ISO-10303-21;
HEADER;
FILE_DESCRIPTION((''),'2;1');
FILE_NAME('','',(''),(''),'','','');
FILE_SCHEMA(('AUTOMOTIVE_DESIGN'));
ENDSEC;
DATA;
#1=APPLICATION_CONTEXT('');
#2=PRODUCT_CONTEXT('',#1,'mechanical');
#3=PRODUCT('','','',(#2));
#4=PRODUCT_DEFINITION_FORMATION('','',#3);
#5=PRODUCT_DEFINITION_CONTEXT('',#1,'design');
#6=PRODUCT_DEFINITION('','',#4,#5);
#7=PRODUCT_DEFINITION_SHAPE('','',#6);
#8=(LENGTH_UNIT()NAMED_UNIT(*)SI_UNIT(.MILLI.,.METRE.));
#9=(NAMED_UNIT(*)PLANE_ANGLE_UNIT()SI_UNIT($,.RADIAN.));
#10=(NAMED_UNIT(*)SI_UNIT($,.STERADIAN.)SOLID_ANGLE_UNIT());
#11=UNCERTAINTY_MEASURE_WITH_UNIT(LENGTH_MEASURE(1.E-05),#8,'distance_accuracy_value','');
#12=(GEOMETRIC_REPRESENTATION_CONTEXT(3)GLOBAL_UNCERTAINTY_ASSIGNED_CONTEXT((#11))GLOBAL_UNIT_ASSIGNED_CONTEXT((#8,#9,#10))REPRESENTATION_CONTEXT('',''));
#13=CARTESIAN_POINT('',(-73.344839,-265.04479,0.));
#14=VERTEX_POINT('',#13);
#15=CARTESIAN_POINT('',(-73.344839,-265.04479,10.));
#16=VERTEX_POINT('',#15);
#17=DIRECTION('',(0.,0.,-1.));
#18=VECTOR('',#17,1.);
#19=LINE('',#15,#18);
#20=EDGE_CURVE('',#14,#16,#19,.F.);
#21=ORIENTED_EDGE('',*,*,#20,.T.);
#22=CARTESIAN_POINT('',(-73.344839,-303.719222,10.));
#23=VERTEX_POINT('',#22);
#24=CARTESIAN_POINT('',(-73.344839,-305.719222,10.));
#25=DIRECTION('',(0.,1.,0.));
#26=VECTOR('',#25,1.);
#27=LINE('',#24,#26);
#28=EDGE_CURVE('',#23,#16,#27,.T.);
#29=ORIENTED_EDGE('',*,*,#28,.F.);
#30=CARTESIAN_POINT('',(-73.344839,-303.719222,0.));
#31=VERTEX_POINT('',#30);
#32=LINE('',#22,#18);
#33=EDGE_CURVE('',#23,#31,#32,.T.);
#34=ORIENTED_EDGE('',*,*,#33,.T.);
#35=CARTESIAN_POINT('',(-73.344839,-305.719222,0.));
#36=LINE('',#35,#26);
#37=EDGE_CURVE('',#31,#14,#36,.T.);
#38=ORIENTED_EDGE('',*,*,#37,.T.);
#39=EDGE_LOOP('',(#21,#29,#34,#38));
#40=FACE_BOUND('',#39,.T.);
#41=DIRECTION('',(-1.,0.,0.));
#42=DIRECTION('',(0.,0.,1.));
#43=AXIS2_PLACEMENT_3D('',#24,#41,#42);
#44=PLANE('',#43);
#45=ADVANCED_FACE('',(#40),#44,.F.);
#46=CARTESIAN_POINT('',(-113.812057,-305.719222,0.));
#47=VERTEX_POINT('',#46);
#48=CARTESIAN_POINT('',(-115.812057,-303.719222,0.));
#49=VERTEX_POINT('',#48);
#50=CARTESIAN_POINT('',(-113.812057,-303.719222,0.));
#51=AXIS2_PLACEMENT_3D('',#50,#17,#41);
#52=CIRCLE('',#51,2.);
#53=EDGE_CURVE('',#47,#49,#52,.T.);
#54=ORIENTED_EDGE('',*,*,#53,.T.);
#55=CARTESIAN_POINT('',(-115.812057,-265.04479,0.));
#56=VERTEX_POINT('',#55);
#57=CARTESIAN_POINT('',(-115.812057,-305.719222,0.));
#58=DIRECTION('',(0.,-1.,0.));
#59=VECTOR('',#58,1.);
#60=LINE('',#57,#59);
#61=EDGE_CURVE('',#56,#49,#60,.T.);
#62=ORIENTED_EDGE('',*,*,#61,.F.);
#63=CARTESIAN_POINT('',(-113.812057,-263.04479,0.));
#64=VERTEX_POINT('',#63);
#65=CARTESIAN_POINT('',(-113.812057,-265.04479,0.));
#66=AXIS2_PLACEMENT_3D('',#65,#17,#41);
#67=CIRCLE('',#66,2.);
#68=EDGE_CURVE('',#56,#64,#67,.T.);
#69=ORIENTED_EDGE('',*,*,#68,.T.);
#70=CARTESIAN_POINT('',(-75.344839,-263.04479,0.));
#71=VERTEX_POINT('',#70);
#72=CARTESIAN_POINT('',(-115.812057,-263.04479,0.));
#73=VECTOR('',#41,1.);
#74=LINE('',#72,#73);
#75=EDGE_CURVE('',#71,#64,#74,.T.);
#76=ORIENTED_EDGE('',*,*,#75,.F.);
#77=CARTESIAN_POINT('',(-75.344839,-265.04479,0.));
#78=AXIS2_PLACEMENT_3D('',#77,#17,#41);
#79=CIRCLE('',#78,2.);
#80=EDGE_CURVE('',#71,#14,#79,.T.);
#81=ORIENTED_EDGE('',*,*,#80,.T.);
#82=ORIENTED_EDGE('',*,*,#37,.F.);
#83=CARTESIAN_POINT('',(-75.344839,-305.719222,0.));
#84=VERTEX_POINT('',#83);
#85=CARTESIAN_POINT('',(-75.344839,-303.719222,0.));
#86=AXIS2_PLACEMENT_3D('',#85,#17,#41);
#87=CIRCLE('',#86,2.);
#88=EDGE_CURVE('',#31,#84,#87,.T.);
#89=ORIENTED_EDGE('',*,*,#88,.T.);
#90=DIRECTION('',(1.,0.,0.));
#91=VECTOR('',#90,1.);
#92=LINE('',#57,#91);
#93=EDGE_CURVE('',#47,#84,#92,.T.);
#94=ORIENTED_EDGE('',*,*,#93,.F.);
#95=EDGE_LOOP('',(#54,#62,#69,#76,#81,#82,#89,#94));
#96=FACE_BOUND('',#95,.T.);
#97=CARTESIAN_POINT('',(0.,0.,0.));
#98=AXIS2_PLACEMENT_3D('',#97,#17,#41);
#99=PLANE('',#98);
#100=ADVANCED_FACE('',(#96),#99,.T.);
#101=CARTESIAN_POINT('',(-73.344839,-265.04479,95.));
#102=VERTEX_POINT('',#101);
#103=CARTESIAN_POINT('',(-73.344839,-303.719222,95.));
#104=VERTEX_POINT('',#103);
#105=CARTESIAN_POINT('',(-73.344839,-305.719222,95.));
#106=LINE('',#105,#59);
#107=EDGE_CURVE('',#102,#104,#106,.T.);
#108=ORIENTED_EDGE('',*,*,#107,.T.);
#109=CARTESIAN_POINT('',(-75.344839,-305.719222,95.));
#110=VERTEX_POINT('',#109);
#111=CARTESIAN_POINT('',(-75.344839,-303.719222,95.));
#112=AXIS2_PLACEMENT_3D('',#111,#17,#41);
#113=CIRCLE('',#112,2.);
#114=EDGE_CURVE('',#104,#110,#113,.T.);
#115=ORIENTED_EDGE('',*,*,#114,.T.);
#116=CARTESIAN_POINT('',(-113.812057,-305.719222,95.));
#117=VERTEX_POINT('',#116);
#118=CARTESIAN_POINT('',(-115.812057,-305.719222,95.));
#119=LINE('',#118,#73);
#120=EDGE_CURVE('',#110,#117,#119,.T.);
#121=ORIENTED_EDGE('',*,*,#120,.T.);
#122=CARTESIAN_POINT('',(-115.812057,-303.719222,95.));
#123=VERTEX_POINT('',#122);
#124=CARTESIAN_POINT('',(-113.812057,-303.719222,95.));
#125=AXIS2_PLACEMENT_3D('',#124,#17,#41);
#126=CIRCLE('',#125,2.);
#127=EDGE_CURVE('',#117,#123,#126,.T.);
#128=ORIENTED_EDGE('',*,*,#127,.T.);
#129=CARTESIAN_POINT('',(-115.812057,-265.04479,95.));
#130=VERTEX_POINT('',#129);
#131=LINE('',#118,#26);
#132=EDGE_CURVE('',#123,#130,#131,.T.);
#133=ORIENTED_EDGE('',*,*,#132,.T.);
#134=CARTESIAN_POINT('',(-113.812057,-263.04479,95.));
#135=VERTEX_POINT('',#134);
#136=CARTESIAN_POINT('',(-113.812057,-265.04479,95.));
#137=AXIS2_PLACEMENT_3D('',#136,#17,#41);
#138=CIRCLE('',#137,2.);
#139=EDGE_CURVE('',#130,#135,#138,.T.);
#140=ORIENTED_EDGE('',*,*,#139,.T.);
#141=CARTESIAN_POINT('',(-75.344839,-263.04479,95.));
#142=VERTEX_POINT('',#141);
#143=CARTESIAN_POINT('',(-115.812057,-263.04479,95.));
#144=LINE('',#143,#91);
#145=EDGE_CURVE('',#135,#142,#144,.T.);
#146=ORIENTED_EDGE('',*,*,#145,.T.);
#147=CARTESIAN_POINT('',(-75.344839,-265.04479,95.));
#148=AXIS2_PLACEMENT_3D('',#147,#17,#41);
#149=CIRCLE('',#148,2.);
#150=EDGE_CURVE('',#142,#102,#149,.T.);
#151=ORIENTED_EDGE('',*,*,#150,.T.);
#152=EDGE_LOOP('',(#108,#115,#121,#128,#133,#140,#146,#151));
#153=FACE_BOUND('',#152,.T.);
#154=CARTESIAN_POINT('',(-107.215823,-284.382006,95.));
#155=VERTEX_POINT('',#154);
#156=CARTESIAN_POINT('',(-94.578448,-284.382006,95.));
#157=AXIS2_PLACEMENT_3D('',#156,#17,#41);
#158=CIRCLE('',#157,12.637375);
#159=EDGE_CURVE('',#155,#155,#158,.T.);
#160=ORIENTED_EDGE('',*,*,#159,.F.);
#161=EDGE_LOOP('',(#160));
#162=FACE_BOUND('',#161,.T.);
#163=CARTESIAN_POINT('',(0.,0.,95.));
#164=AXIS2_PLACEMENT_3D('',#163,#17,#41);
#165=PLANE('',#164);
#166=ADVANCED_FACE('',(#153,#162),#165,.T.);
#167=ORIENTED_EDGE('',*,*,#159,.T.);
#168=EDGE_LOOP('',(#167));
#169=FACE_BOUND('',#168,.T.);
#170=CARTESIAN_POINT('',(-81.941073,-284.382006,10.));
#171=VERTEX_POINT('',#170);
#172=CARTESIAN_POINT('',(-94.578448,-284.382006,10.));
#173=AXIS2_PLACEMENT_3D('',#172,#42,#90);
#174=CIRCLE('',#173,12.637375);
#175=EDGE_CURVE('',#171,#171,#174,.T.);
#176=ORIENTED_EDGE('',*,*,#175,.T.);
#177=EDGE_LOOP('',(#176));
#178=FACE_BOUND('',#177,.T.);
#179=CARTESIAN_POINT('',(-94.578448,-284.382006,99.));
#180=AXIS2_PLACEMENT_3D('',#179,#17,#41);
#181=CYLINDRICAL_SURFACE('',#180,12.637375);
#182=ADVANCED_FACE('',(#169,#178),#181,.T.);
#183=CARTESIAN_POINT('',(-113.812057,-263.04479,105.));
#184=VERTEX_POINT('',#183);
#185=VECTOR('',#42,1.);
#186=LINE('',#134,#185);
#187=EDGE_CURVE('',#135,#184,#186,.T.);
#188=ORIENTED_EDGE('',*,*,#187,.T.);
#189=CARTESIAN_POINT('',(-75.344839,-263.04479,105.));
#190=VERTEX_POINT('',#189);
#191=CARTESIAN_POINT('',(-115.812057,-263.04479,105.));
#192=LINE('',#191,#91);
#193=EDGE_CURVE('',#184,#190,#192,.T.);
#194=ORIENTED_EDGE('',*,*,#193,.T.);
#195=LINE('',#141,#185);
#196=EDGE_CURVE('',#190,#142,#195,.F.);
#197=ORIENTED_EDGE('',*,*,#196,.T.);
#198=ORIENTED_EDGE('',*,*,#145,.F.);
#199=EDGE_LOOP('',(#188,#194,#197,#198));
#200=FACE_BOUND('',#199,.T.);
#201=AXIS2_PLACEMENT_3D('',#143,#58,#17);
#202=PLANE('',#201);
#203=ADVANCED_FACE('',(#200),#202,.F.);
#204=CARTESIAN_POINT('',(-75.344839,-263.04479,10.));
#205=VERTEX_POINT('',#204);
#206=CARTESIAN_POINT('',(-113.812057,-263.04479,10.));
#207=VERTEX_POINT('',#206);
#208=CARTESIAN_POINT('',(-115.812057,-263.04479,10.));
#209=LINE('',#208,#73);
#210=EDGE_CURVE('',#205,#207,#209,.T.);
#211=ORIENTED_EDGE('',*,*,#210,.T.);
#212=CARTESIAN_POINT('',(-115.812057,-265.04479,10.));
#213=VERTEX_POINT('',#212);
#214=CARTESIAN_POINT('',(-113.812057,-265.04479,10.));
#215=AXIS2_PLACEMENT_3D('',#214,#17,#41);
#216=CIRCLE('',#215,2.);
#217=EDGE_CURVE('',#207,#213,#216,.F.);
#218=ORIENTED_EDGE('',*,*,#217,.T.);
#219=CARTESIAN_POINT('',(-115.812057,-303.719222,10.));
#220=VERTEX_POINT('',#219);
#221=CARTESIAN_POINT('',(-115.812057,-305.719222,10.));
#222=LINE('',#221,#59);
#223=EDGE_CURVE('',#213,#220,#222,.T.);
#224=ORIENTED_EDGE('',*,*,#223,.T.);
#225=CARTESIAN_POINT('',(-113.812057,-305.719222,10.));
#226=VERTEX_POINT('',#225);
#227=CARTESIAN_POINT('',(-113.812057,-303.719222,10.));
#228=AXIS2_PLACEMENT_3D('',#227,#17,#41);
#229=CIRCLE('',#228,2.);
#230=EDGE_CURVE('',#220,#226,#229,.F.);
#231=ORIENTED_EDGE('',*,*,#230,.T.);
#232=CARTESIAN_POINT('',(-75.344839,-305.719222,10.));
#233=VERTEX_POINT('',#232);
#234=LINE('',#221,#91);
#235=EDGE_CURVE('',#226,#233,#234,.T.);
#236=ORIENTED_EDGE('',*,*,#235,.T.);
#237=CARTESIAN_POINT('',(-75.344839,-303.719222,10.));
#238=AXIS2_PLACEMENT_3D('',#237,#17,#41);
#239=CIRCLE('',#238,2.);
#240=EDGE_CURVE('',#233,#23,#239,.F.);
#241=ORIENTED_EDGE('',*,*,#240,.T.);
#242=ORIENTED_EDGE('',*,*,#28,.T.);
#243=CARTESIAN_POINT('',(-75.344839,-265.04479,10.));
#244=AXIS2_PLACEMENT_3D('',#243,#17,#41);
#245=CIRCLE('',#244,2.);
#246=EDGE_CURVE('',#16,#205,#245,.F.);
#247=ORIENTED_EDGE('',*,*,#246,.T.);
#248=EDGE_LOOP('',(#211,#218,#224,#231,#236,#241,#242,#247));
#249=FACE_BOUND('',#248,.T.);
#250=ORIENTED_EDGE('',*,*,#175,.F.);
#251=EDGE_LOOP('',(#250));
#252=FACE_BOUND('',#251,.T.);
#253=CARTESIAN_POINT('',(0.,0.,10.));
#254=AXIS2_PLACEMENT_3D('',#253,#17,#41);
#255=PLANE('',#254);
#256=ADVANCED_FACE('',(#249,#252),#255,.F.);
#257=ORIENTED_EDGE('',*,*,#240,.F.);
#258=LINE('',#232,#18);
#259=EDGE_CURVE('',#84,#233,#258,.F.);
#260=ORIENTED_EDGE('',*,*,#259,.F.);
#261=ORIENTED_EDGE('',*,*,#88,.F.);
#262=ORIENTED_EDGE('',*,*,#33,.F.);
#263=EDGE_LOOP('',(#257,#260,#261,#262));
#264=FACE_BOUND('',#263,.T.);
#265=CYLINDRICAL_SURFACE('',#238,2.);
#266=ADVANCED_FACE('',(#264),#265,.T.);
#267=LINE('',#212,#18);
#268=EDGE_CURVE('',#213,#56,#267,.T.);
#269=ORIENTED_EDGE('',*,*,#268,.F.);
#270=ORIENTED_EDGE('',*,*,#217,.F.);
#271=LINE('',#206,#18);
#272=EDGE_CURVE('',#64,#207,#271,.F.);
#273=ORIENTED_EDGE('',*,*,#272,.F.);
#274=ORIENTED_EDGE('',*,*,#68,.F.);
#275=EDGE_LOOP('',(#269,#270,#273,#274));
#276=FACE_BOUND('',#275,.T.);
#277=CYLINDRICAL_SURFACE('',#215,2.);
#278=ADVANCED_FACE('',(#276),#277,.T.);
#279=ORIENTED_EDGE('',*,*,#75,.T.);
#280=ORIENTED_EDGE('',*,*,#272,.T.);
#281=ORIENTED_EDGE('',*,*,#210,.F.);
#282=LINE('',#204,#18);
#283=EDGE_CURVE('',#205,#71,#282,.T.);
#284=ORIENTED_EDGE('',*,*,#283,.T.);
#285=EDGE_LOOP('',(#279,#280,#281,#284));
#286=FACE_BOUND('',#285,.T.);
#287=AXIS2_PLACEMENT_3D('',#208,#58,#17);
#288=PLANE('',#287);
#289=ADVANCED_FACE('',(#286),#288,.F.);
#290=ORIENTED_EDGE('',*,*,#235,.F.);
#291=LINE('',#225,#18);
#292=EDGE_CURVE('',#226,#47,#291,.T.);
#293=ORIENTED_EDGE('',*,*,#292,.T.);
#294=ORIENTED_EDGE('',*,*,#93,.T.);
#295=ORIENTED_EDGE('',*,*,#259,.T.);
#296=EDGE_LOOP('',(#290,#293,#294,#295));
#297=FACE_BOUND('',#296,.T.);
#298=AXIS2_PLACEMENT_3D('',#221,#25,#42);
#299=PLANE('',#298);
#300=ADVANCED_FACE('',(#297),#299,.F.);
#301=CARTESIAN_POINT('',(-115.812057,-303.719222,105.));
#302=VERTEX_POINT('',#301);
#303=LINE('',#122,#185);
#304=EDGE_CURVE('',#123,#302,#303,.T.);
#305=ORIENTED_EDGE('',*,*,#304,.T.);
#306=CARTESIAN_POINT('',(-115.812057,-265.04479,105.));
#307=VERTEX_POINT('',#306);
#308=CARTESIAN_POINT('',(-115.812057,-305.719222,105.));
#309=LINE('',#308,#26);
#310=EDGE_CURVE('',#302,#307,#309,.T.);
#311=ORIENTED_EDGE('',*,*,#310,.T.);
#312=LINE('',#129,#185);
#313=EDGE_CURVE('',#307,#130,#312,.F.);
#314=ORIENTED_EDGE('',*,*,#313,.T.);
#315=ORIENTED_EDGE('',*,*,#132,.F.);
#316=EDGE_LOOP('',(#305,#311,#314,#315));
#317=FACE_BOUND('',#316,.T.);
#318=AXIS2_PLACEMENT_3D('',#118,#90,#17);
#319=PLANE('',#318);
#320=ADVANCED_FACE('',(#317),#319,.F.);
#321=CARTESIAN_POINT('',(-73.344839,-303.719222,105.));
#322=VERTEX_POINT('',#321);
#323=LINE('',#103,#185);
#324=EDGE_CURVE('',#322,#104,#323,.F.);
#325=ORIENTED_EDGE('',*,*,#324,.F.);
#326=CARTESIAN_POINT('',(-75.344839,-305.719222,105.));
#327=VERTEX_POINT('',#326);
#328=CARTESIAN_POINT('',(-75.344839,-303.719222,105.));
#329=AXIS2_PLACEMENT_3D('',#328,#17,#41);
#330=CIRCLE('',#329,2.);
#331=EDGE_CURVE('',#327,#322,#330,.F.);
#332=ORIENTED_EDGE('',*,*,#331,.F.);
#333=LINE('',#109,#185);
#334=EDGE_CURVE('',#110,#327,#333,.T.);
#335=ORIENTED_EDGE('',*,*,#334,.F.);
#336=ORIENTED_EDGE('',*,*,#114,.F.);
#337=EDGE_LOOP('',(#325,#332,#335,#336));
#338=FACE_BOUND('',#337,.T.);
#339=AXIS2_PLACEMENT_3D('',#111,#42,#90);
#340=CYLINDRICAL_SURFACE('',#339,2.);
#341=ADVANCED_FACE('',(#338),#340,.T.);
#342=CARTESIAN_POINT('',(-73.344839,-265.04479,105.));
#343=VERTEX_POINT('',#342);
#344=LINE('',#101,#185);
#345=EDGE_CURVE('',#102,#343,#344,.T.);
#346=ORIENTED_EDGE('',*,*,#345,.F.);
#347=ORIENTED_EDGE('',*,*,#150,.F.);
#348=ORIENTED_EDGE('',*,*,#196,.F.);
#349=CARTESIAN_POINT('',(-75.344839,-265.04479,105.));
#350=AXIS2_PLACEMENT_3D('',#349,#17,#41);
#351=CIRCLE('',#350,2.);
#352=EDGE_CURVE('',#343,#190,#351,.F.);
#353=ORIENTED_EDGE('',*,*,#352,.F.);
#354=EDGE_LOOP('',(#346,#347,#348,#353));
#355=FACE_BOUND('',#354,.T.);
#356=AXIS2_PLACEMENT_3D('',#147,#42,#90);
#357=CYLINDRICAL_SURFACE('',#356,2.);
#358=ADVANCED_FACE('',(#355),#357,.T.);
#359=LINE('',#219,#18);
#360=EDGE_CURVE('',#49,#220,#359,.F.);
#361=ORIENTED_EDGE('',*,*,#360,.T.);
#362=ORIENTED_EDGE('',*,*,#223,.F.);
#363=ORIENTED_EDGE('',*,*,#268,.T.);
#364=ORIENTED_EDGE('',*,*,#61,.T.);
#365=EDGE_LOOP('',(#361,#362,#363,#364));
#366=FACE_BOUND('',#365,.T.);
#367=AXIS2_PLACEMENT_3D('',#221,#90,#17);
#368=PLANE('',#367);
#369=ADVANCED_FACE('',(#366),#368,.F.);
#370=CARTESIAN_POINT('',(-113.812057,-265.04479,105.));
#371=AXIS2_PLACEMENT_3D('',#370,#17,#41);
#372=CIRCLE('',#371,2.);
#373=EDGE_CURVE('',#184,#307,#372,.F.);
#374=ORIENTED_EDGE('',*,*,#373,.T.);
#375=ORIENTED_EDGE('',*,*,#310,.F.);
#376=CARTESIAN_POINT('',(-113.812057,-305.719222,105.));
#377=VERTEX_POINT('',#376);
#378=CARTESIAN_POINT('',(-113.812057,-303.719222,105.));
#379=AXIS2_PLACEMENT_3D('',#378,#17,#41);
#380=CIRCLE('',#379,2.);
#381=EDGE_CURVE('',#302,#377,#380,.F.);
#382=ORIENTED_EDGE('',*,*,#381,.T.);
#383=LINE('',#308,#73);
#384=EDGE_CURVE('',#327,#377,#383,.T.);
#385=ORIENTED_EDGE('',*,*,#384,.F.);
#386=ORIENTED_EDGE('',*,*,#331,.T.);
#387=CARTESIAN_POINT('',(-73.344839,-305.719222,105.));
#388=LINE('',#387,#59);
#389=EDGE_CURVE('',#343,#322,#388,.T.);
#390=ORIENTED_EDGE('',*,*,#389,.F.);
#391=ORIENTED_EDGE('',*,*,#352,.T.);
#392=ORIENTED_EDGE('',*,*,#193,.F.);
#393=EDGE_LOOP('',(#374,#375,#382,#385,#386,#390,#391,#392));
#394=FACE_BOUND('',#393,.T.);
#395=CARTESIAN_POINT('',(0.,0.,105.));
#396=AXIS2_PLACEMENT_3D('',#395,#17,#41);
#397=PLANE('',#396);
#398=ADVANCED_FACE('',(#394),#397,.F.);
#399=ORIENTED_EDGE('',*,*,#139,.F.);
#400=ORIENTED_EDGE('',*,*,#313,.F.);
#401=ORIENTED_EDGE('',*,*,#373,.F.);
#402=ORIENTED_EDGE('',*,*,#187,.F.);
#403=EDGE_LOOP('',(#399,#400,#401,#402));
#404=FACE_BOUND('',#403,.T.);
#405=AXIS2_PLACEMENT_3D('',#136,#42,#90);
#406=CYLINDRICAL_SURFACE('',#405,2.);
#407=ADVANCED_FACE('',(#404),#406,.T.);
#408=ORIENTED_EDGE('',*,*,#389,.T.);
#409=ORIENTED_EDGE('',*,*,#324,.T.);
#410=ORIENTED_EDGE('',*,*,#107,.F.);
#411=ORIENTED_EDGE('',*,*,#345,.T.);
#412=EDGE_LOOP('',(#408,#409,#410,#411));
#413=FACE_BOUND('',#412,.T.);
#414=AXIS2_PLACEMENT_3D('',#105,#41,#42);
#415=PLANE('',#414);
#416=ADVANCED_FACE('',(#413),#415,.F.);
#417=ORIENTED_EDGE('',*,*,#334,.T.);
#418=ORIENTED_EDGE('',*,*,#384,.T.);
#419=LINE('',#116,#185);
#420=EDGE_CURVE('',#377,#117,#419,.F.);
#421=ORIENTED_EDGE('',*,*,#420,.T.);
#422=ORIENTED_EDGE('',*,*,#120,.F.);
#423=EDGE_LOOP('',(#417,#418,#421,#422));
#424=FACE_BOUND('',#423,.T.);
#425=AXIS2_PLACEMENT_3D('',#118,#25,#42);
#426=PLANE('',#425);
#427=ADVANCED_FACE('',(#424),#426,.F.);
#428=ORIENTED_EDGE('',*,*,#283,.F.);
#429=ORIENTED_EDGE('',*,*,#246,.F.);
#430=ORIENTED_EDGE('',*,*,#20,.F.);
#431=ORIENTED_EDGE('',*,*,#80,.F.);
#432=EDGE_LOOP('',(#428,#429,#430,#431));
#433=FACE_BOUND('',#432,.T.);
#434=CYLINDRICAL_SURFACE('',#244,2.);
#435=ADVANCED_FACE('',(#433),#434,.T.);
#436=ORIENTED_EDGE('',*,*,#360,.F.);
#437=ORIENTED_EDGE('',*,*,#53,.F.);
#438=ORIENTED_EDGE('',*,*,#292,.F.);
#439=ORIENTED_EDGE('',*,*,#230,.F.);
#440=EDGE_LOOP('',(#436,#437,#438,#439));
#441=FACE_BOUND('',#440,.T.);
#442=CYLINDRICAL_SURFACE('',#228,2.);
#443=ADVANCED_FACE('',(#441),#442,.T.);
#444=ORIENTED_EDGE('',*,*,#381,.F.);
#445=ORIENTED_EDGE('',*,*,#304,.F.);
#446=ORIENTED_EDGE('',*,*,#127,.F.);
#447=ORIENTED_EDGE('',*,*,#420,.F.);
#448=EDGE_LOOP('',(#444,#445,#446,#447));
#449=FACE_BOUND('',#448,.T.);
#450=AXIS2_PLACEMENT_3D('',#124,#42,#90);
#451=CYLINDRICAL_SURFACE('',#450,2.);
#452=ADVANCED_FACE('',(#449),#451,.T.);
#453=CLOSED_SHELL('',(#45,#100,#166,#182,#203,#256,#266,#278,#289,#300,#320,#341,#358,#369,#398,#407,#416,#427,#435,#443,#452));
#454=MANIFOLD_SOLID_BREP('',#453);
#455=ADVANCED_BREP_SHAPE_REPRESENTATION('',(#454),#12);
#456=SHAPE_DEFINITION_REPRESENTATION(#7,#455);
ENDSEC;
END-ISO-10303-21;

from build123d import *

# Parameters (mm, degrees)
SKETCH1_W           = 42.467218632
SKETCH1_H           = 42.674431579
BOSS_EXTRUDE1_DEPTH = 10
SKETCH2_R           = 12.637375282
BOSS_EXTRUDE2_DEPTH = 89
SKETCH4_W           = 42.467218632
SKETCH4_H           = 42.674431579
BOSS_EXTRUDE3_DEPTH = 10
FILLET1_R           = 2


with BuildPart() as part:
    # Sketch1 → Boss-Extrude1 (new body)
    with BuildSketch(Plane.XY):
        with Locations((-94.578448042, -284.38200622)):
            Rectangle(SKETCH1_W, SKETCH1_H)
    extrude(amount=BOSS_EXTRUDE1_DEPTH)

    # Sketch2 → Boss-Extrude2 (add)
    with BuildSketch(Plane.XY.offset(10)):
        with Locations((-94.578448042, -284.38200622)):
            Circle(SKETCH2_R)
    extrude(amount=BOSS_EXTRUDE2_DEPTH)

    # Sketch4 → Boss-Extrude3 (add)
    with BuildSketch(Plane(origin=(0, 0, 105), x_dir=(-1, 0, 0), z_dir=(0, 0, -1))):
        with Locations((94.578448042, -284.38200622)):
            Rectangle(SKETCH4_W, SKETCH4_H)
    extrude(amount=BOSS_EXTRUDE3_DEPTH)

    # Fillet1
    fillet1_edges = [part.edges().sort_by_distance(p)[0] for p in [
        (-73.344838726, -263.044790431, 100),
        (-73.344838726, -305.71922201, 100),
        (-115.812057358, -305.71922201, 100),
        (-115.812057358, -263.044790431, 100),
        (-73.344838726, -305.71922201, 5),
        (-115.812057358, -305.71922201, 5),
        (-115.812057358, -263.044790431, 5),
        (-73.344838726, -263.044790431, 5),
    ]]
    fillet(fillet1_edges, radius=FILLET1_R)


solid = part.part
